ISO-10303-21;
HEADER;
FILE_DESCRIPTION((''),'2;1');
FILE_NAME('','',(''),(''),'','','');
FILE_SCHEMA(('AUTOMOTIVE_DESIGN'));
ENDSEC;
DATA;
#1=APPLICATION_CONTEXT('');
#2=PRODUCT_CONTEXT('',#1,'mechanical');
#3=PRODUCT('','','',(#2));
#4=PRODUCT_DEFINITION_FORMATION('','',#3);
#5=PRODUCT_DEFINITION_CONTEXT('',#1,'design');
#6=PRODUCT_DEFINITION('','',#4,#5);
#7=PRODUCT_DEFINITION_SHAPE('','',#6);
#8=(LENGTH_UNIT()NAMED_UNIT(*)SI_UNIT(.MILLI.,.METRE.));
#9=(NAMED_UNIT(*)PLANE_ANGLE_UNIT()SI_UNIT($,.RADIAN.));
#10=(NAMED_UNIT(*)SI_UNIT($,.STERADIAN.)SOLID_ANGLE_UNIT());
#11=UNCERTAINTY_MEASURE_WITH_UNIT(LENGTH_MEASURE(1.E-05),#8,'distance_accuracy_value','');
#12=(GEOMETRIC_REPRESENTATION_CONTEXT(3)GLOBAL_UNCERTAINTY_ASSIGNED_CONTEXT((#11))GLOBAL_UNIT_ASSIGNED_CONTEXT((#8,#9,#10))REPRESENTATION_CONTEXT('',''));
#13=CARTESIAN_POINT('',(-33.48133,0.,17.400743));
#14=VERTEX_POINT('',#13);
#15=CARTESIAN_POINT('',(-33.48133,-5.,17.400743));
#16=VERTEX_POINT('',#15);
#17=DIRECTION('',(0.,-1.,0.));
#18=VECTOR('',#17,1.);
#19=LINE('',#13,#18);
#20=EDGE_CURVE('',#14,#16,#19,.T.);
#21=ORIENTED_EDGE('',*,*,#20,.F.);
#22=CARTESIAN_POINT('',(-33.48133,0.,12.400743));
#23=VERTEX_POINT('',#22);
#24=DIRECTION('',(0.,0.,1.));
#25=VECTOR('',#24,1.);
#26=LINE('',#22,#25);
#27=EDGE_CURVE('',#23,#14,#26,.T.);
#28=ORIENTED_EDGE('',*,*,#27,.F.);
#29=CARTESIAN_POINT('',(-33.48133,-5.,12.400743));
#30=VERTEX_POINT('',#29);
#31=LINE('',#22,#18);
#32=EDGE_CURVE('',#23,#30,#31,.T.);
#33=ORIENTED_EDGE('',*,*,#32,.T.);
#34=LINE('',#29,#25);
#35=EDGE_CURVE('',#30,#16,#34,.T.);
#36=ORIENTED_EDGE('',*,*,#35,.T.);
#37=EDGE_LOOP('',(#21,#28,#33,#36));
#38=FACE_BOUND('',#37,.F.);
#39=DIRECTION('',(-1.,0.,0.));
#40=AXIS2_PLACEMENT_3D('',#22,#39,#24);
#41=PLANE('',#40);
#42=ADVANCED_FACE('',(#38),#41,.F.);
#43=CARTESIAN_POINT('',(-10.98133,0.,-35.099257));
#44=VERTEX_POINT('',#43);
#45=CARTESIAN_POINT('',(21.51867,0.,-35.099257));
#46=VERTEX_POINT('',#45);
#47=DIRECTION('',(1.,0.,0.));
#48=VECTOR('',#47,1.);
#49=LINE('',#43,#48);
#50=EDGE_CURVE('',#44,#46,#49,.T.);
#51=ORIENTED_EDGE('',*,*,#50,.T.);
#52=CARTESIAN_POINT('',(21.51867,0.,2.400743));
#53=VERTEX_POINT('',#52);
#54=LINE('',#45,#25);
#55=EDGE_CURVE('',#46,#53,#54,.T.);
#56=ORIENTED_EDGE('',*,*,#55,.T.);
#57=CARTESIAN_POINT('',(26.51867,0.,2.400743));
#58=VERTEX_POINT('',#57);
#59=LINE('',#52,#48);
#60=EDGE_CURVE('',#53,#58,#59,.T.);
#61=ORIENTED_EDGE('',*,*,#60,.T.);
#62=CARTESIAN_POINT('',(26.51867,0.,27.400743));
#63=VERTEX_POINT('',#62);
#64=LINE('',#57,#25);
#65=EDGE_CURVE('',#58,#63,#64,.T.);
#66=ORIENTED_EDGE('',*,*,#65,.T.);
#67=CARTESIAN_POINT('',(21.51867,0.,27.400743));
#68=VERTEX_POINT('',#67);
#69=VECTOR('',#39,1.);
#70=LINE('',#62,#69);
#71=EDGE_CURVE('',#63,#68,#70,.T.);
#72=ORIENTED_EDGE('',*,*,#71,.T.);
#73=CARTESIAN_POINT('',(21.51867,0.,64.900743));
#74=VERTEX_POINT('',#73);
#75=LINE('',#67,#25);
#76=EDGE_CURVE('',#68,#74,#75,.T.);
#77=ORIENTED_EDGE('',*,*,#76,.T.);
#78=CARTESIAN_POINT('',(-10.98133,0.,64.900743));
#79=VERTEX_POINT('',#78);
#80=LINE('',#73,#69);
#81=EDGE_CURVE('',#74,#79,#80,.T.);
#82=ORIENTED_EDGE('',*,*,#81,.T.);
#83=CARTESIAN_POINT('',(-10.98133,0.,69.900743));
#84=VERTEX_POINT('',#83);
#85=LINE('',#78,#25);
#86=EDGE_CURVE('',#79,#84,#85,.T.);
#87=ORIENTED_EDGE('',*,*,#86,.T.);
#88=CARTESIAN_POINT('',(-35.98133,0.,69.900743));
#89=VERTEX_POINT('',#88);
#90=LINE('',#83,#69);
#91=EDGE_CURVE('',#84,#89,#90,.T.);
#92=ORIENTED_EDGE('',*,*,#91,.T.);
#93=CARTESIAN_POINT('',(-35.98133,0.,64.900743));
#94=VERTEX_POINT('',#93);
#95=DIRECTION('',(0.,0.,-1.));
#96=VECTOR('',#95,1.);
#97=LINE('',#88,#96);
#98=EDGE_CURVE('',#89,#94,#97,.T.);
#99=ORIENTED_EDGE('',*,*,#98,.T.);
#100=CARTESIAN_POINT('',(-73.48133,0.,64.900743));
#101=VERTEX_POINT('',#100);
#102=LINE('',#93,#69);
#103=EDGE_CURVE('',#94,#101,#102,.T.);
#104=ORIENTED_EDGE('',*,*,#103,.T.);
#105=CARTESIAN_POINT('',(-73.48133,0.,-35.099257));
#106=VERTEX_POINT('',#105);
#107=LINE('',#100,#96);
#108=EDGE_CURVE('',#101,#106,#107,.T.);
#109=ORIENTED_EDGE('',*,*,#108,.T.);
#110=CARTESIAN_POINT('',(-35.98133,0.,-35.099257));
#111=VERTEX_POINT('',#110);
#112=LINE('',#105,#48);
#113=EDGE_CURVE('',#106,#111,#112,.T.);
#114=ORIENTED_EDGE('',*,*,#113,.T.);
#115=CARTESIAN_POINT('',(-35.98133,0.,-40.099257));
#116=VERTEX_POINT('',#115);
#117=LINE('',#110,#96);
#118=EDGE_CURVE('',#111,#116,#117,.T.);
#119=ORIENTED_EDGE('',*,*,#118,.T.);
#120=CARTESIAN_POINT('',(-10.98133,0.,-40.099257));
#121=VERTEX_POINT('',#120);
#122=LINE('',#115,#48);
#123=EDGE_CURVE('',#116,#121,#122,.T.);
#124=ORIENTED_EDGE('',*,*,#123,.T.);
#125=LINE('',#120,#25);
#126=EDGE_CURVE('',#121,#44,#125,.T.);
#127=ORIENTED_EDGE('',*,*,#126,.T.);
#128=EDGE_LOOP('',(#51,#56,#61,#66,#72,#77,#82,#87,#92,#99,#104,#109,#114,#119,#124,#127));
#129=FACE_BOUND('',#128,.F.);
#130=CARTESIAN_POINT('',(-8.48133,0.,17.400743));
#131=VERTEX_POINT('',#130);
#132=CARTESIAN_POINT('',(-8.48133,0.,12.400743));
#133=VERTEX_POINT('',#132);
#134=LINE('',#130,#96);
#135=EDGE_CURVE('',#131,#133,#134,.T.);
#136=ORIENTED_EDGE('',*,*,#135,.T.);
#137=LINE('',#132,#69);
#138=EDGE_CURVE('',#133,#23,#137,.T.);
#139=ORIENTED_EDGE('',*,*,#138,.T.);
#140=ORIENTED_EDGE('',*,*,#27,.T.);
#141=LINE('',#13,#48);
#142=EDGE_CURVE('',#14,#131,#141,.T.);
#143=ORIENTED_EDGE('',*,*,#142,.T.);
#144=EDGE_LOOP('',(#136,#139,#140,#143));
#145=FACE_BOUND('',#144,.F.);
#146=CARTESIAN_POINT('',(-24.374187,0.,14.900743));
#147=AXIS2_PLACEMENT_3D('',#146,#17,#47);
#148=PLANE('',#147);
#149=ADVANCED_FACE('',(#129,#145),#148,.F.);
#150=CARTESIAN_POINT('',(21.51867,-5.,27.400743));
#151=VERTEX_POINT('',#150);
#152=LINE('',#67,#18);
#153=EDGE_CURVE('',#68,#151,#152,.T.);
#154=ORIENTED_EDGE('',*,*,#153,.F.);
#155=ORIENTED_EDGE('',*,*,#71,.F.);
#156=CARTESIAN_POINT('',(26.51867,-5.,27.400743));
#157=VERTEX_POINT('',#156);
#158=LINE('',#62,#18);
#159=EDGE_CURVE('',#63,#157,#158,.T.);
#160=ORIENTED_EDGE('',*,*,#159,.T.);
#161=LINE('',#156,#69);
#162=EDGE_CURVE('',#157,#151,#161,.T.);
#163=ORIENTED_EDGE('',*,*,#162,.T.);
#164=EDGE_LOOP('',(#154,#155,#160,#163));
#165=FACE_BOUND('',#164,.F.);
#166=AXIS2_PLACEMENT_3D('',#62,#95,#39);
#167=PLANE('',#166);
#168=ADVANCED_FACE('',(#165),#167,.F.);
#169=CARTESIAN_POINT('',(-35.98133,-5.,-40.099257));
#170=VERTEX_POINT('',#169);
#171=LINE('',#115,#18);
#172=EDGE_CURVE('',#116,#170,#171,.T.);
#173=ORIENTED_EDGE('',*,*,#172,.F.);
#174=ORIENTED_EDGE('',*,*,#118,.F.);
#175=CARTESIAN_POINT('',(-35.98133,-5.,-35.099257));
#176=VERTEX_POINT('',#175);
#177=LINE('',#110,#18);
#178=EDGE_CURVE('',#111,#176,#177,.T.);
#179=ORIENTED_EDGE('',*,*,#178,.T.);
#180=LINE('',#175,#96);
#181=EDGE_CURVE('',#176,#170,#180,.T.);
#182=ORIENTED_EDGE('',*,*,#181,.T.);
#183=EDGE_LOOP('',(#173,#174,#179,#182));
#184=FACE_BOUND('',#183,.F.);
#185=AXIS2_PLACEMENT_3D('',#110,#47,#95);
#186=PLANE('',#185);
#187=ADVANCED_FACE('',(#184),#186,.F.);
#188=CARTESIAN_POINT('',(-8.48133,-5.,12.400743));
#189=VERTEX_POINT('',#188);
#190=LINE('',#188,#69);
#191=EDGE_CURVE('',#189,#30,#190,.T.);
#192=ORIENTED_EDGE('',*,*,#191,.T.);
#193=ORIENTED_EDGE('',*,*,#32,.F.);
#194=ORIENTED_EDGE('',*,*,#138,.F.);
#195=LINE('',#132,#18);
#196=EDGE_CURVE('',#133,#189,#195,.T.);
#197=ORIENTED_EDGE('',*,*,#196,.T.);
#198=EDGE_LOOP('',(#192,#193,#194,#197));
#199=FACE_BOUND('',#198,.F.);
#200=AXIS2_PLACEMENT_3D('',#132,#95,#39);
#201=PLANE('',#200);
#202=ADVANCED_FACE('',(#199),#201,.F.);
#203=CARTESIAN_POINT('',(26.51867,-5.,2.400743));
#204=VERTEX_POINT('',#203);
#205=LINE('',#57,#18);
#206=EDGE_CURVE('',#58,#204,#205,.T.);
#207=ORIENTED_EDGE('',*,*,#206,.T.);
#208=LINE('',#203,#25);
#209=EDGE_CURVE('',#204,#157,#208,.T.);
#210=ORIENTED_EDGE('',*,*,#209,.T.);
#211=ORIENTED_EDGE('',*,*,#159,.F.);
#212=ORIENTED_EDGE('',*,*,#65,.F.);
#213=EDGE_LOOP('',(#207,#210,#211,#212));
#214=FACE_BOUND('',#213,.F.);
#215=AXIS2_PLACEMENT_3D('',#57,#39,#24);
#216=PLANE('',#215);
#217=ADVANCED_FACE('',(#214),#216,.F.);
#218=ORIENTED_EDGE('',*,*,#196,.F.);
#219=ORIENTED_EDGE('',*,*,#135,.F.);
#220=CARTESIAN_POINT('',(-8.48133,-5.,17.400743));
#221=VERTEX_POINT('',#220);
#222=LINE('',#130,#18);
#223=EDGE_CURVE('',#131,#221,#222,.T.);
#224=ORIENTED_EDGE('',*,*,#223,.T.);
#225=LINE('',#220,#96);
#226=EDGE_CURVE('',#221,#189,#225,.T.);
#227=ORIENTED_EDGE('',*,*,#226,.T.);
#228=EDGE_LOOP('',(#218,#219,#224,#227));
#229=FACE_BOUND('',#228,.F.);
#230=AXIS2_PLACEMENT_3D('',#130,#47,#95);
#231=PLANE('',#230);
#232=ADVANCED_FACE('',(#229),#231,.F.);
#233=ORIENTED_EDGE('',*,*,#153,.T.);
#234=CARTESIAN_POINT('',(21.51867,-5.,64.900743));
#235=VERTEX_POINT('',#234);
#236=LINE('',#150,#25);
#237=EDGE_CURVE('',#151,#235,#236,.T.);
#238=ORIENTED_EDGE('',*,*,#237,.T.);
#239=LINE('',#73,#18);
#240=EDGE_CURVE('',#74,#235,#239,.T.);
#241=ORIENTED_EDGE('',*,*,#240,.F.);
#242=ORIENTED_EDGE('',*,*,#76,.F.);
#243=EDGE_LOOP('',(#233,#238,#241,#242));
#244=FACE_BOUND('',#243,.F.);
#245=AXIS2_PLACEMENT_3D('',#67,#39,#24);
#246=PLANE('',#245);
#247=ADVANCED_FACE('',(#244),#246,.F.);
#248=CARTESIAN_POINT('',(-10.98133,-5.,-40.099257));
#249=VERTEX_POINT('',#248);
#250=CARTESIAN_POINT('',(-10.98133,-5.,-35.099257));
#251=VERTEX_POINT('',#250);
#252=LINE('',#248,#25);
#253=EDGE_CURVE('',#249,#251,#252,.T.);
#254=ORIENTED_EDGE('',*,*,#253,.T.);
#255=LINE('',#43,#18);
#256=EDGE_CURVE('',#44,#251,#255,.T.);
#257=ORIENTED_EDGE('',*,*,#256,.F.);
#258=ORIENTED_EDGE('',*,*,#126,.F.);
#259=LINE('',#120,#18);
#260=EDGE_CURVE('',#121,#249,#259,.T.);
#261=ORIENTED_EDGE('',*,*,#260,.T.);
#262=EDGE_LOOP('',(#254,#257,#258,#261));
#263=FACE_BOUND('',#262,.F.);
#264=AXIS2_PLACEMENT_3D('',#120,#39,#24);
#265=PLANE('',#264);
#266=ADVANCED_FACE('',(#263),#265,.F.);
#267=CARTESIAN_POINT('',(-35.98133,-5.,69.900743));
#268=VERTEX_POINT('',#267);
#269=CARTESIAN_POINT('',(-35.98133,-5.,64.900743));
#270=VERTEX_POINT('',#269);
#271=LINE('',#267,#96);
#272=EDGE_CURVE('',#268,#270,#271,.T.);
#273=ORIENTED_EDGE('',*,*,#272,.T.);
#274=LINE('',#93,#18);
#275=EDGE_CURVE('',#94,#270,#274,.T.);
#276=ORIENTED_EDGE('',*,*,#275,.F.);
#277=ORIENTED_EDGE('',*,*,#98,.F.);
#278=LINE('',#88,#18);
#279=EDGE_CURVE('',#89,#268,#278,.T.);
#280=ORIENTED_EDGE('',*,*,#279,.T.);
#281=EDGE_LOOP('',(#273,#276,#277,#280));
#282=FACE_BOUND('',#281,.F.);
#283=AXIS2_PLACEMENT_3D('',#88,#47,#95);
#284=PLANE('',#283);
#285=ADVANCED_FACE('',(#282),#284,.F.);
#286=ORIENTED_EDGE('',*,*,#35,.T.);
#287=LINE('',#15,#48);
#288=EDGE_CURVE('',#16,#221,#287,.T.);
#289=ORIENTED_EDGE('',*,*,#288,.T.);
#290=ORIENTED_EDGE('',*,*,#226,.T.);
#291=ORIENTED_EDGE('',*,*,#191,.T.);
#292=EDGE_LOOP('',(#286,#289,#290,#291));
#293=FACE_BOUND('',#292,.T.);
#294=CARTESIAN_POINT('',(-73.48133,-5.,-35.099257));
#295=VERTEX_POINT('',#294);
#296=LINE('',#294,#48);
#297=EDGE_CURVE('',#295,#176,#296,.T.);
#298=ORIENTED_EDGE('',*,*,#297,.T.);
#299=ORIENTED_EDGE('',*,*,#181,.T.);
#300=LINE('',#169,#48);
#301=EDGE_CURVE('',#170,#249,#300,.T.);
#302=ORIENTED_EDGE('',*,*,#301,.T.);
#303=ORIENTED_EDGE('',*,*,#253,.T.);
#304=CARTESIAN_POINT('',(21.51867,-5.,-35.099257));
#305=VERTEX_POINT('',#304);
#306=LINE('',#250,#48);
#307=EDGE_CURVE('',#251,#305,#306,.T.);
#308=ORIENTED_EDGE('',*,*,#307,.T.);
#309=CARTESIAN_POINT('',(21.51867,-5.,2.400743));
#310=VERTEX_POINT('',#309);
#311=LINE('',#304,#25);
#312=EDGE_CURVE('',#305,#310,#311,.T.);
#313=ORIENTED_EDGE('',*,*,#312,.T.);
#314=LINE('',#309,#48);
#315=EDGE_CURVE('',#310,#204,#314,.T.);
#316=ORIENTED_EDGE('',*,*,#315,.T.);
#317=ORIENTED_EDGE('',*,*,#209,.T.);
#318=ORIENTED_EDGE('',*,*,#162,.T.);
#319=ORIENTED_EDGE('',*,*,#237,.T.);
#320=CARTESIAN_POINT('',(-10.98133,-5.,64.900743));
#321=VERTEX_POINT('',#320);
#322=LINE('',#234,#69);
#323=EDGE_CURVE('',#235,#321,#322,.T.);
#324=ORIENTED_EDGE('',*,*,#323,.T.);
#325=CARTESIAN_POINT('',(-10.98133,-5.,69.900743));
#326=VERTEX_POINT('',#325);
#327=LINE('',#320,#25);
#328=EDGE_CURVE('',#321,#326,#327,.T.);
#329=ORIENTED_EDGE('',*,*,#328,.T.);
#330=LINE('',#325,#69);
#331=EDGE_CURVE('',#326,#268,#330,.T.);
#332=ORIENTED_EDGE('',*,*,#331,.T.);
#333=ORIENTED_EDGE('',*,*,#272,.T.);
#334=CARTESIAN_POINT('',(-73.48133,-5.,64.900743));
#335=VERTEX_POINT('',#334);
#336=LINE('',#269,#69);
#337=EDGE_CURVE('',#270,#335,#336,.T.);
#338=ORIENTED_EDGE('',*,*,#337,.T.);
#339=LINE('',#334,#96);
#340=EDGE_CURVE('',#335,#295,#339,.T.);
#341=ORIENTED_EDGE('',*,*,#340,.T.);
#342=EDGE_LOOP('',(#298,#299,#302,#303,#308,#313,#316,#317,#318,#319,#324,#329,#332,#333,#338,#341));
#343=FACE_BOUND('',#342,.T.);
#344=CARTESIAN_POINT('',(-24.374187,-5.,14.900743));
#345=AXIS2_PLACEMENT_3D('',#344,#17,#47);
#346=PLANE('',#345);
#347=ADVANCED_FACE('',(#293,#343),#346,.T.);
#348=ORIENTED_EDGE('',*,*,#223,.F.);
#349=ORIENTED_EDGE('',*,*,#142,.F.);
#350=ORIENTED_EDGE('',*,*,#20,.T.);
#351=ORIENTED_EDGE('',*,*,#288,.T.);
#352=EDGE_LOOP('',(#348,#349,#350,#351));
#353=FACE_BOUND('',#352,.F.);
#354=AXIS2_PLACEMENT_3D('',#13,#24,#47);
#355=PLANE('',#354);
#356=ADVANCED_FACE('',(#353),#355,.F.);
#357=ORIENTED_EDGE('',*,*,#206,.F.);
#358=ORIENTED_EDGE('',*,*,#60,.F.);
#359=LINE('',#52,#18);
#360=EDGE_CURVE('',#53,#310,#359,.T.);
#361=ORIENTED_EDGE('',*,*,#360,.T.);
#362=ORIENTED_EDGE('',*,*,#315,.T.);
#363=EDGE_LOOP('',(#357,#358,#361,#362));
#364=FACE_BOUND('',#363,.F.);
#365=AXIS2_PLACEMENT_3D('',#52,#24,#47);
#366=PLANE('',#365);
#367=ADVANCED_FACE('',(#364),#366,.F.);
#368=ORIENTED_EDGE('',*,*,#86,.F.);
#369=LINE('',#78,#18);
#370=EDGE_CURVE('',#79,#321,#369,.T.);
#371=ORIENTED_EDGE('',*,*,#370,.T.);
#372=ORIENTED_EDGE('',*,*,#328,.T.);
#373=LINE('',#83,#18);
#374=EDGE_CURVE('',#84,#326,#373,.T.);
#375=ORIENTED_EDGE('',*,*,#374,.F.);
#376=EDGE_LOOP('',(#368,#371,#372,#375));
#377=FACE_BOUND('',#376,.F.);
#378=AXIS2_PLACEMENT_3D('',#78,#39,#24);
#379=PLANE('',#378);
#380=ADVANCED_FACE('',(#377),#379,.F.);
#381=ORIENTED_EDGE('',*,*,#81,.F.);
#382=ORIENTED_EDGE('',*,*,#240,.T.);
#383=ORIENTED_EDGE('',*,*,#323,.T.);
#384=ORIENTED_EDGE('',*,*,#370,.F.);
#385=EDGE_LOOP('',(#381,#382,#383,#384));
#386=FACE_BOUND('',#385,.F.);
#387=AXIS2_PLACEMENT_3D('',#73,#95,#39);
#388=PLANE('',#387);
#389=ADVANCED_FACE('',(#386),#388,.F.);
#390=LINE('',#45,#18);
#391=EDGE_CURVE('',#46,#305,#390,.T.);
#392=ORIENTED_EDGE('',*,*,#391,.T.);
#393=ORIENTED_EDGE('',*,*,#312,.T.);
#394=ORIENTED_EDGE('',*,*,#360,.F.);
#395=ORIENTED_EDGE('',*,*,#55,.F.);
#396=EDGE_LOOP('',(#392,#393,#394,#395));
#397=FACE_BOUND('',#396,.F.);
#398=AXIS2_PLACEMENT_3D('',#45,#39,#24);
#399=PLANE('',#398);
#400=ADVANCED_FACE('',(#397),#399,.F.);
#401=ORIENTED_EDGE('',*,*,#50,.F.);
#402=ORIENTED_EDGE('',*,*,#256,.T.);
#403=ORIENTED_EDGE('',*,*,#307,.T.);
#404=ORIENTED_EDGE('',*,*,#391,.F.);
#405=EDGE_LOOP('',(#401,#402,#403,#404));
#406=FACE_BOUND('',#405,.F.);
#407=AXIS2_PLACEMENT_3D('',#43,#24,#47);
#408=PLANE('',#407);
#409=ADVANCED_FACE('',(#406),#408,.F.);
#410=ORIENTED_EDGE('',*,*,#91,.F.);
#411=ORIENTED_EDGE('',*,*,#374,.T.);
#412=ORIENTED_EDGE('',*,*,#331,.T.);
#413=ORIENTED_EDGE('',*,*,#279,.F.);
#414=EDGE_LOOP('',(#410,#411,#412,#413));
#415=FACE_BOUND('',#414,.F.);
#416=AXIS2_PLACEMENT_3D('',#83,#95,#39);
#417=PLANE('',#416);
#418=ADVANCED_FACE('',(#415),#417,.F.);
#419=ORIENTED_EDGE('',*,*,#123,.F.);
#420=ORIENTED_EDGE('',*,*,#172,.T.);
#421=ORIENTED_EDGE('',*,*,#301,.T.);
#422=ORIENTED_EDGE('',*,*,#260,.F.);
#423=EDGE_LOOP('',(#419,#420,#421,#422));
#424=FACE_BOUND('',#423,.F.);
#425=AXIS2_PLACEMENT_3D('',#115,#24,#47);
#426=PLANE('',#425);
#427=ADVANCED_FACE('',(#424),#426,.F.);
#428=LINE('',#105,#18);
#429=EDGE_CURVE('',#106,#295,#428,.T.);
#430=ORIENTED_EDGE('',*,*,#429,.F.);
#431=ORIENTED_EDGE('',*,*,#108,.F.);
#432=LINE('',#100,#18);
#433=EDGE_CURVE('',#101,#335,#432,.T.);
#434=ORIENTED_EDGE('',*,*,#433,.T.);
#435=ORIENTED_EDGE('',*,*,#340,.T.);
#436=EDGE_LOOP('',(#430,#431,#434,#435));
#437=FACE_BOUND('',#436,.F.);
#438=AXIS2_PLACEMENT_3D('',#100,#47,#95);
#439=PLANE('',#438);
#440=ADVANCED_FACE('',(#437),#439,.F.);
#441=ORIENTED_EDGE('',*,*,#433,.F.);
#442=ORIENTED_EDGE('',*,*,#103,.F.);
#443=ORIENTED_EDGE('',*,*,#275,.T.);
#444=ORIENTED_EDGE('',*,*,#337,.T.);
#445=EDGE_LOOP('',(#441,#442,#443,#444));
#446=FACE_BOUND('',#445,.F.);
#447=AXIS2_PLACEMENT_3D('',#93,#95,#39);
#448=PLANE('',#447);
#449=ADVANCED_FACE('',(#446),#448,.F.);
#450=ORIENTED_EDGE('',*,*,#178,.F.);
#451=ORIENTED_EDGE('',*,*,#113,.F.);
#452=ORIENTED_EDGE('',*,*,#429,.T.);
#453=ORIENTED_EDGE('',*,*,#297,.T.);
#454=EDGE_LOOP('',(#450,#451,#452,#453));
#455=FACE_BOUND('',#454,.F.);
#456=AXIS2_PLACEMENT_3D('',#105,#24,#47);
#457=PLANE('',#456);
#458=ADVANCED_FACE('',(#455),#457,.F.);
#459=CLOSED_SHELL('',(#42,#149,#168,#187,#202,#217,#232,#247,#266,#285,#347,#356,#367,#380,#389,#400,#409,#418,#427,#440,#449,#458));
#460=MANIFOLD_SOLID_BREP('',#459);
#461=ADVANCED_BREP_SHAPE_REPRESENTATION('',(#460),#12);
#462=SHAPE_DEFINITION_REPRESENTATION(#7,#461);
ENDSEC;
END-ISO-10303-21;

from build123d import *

# Parameters (mm, degrees)
F1_DEPTH = 5


with BuildPart() as f1:
    # F0 (on Front) → F1 (new body)
    with BuildSketch(Plane.XZ):
        Polygon((-35.98133, 64.900743), (-73.48133, 64.900743), (-73.48133, -35.099257), (-35.98133, -35.099257), (-35.98133, -40.099257), (-10.98133, -40.099257), (-10.98133, -35.099257), (21.51867, -35.099257), (21.51867, 2.400743), (26.51867, 2.400743), (26.51867, 14.900743), (26.51867, 27.400743), (21.51867, 27.400743), (21.51867, 64.900743), (-10.98133, 64.900743), (-10.98133, 69.900743), (-35.98133, 69.900743), align=None)
        Polygon((-8.48133, 17.400743), (-8.48133, 14.900743), (-8.48133, 12.400743), (-33.48133, 12.400743), (-33.48133, 17.400743), align=None, mode=Mode.SUBTRACT)
    extrude(amount=F1_DEPTH)


solid = f1.part
